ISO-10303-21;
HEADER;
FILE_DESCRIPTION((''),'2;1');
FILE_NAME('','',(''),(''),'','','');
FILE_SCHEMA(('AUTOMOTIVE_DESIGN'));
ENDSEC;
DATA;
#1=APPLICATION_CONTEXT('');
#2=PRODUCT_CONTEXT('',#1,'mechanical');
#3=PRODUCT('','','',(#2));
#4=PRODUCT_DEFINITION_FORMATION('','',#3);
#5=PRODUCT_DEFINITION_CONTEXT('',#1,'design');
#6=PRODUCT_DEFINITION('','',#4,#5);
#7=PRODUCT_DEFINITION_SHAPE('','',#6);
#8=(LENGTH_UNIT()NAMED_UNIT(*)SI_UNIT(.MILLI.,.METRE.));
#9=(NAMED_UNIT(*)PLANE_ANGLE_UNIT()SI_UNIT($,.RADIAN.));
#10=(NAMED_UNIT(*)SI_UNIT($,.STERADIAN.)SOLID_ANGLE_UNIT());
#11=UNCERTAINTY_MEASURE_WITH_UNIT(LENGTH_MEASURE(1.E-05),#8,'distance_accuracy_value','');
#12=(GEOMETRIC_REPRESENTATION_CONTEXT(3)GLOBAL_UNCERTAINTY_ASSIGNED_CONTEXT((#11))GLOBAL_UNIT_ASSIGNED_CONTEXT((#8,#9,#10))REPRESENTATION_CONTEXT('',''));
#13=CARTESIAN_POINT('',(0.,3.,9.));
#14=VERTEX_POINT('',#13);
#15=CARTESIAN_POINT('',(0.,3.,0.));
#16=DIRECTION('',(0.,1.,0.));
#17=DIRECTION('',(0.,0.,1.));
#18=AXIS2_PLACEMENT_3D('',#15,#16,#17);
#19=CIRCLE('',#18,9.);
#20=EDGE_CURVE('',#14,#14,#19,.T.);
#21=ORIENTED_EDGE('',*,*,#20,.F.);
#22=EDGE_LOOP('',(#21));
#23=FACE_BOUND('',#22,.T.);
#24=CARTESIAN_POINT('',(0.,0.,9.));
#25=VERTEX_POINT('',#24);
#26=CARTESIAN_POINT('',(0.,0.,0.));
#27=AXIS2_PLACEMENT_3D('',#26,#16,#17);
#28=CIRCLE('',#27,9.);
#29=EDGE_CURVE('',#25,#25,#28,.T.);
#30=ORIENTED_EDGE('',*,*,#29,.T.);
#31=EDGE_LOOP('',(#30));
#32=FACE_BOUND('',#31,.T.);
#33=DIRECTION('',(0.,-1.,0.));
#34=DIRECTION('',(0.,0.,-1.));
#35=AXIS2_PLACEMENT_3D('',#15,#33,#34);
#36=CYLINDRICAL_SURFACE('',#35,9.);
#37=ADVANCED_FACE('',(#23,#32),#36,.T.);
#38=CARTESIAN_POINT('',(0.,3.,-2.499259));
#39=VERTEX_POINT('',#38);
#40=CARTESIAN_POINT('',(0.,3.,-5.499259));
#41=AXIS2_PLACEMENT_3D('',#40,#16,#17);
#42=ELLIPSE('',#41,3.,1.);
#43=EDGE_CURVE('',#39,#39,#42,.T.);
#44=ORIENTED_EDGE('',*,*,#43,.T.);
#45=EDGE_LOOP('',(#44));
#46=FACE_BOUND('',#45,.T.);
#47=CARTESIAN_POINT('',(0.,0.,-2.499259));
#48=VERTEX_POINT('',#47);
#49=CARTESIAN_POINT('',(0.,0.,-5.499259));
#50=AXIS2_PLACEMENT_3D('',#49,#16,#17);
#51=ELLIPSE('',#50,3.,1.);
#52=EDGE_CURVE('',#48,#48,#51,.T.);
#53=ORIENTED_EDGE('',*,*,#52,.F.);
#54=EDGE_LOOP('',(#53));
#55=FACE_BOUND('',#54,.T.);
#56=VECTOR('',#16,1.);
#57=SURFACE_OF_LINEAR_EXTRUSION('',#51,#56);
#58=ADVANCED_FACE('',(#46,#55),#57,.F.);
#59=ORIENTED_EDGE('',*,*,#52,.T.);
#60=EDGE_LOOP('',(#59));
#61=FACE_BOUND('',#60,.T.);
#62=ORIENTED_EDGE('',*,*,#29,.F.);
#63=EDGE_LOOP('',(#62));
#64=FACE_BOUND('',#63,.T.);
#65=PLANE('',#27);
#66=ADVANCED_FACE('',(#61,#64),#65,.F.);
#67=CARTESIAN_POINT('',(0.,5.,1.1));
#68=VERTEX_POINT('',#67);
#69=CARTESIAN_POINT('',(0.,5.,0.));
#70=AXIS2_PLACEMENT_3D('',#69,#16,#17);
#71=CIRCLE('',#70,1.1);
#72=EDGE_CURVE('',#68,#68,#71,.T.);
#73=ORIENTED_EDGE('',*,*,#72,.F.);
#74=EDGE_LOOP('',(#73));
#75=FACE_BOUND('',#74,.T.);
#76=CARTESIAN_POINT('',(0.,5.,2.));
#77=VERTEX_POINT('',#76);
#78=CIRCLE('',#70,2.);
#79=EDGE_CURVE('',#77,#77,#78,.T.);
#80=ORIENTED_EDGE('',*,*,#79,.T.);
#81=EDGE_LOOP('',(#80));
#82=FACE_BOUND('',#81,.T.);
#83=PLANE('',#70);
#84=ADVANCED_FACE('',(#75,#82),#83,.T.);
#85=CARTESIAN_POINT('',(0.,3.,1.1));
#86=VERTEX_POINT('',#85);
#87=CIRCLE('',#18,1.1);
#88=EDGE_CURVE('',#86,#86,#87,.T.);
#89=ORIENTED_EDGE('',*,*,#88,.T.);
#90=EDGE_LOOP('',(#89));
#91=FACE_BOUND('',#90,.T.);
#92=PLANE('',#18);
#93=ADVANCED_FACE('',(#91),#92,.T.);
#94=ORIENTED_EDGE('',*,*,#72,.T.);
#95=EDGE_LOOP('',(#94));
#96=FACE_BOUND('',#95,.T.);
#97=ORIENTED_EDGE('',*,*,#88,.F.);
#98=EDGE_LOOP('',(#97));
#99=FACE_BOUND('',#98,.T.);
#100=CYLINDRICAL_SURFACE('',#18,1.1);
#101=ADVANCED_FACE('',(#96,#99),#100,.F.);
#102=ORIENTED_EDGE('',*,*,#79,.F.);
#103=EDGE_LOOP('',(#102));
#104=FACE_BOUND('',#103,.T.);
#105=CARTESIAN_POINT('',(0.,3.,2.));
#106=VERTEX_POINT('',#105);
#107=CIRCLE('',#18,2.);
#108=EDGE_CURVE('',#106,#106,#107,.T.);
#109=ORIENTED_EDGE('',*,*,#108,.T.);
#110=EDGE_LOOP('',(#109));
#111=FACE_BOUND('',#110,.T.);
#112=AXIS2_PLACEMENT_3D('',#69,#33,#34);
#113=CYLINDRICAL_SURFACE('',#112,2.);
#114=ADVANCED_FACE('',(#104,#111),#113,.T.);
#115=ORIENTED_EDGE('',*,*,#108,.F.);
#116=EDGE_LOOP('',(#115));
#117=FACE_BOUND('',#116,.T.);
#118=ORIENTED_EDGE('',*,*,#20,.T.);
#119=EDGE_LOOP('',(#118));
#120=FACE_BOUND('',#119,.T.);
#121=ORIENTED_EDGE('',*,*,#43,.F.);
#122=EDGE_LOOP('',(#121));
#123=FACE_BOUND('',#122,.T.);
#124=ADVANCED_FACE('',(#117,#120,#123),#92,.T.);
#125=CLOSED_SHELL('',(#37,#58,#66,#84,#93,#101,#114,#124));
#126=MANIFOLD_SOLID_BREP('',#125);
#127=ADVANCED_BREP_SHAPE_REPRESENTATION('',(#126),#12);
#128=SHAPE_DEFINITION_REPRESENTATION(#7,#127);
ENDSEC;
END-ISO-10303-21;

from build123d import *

# Parameters (mm, degrees)
SKETCH1_R           = 9
BOSS_EXTRUDE1_DEPTH = 3
SKETCH2_R           = 2
BOSS_EXTRUDE2_DEPTH = 2
SKETCH3_R           = 1.1
CUT_EXTRUDE1_DEPTH  = 2
SKETCH4_RX          = 3
SKETCH4_RY          = 1
CUT_EXTRUDE2_DEPTH  = 3


with BuildPart() as part:
    # Sketch1 → Boss-Extrude1 (new body)
    with BuildSketch(Plane(origin=(0, 0, 0), x_dir=(1, 0, 0), z_dir=(0, 1, 0))):
        Circle(SKETCH1_R)
    extrude(amount=BOSS_EXTRUDE1_DEPTH)

    # Sketch2 → Boss-Extrude2 (add)
    with BuildSketch(Plane(origin=(0, 3, 0), x_dir=(1, 0, 0), z_dir=(0, 1, 0))):
        Circle(SKETCH2_R)
    extrude(amount=BOSS_EXTRUDE2_DEPTH)

    # Sketch3 → Cut-Extrude1 (cut)
    with BuildSketch(Plane(origin=(0, 5, 0), x_dir=(1, 0, 0), z_dir=(0, 1, 0))):
        Circle(SKETCH3_R)
    extrude(amount=-CUT_EXTRUDE1_DEPTH, mode=Mode.SUBTRACT)

    # Sketch4 → Cut-Extrude2 (cut)
    with BuildSketch(Plane(origin=(0, 3, 0), x_dir=(1, 0, 0), z_dir=(0, 1, 0))):
        with Locations(Location((0, 5.49925853), (0, 0, 90))):
            Ellipse(SKETCH4_RX, SKETCH4_RY)
    extrude(amount=-CUT_EXTRUDE2_DEPTH, mode=Mode.SUBTRACT)


solid = part.part
